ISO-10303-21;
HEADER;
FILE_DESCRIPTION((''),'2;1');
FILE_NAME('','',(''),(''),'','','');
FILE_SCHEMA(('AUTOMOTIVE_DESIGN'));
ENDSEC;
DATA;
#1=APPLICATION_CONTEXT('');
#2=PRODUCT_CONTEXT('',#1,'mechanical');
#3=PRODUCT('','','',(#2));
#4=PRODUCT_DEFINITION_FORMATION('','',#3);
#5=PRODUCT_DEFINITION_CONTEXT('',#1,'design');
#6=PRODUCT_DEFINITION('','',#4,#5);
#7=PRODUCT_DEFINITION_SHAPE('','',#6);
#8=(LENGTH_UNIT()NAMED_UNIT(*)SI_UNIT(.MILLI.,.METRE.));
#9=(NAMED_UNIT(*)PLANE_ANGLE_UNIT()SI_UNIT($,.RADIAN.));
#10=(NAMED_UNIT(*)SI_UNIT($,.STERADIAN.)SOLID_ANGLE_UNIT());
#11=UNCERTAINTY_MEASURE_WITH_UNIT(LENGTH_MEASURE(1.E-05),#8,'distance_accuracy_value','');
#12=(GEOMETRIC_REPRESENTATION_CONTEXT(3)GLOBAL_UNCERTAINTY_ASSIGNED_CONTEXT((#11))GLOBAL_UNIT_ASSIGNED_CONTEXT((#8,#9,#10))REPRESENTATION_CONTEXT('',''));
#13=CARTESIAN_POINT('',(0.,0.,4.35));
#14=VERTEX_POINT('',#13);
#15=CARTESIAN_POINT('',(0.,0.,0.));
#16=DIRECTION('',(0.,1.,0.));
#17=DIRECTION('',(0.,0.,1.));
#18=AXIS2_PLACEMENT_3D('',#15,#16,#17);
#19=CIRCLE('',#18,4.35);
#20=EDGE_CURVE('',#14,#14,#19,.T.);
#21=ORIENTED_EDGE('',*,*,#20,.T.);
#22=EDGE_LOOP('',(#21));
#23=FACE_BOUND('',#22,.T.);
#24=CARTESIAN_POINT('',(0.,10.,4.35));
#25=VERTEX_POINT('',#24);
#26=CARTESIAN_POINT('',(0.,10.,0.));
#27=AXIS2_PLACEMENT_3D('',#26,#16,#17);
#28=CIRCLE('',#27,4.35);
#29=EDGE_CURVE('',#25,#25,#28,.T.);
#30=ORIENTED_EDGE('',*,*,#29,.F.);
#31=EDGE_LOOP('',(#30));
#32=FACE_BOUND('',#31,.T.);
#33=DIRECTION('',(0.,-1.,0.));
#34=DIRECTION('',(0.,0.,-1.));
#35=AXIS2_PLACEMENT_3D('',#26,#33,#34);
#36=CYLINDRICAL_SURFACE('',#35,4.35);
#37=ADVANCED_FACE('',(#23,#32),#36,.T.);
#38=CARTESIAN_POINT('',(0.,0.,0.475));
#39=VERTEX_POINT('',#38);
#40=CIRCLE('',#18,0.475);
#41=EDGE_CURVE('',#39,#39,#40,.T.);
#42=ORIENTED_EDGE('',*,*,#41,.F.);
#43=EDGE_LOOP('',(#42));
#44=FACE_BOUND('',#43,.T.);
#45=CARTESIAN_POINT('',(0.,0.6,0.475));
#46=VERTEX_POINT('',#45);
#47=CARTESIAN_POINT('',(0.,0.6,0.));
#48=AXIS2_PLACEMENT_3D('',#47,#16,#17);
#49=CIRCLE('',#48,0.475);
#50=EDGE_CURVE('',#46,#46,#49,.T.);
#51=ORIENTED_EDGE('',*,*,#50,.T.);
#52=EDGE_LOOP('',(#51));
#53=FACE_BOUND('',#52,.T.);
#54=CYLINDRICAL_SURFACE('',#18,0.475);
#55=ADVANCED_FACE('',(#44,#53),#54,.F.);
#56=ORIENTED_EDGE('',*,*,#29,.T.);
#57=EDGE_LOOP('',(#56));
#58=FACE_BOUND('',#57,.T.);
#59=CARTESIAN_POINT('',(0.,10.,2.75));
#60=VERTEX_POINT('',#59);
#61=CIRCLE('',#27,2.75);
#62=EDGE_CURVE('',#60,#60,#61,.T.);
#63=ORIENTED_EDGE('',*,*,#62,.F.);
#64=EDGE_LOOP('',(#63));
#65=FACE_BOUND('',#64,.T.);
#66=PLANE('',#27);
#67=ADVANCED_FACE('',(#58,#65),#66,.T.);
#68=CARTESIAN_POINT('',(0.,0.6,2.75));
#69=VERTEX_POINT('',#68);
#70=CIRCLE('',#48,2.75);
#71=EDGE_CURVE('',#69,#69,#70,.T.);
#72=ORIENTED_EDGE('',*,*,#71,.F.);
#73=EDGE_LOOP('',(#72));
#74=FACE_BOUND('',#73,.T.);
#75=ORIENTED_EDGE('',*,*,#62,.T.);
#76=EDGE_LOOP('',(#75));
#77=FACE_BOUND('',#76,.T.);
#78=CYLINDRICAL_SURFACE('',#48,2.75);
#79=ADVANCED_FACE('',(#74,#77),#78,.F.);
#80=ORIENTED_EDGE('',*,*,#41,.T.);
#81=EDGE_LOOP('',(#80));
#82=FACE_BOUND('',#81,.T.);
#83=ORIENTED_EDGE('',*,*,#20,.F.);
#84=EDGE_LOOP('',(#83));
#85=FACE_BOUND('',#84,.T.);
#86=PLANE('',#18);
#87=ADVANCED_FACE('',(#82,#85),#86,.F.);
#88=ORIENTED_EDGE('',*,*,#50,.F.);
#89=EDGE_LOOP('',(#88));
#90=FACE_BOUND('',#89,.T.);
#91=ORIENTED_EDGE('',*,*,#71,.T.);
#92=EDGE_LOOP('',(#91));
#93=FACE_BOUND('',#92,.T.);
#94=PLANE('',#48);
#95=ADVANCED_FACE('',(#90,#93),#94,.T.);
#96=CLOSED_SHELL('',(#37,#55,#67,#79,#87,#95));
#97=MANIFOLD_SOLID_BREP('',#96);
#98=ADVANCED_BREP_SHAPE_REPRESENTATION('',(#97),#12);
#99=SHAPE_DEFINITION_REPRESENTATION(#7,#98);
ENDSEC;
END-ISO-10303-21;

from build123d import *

# Parameters (mm, degrees)
SKETCH1_R           = 4.35
BOSS_EXTRUDE1_DEPTH = 10
SKETCH2_R           = 2.75
CUT_EXTRUDE1_DEPTH  = 9.4
SKETCH3_R           = 0.475
CUT_EXTRUDE2_DEPTH  = 12.234099875


with BuildPart() as part:
    # Sketch1 → Boss-Extrude1 (new body)
    with BuildSketch(Plane(origin=(0, 0, 0), x_dir=(1, 0, 0), z_dir=(0, 1, 0))):
        with Locations(Location((0, 0, 0), (0, 0, 270))):
            Circle(SKETCH1_R)
    extrude(amount=BOSS_EXTRUDE1_DEPTH)

    # Sketch2 → Cut-Extrude1 (cut)
    with BuildSketch(Plane(origin=(0, 10, 0), x_dir=(1, 0, 0), z_dir=(0, 1, 0))):
        with Locations(Location((0, 0, 0), (0, 0, 270))):
            Circle(SKETCH2_R)
    extrude(amount=-CUT_EXTRUDE1_DEPTH, mode=Mode.SUBTRACT)

    # Sketch3 → Cut-Extrude2 (cut, through all)
    with BuildSketch(Plane(origin=(0, 0.6, 0), x_dir=(1, 0, 0), z_dir=(0, 1, 0))):
        with Locations(Location((0, 0, 0), (0, 0, 270))):
            Circle(SKETCH3_R)
    extrude(amount=-CUT_EXTRUDE2_DEPTH, mode=Mode.SUBTRACT)


solid = part.part
